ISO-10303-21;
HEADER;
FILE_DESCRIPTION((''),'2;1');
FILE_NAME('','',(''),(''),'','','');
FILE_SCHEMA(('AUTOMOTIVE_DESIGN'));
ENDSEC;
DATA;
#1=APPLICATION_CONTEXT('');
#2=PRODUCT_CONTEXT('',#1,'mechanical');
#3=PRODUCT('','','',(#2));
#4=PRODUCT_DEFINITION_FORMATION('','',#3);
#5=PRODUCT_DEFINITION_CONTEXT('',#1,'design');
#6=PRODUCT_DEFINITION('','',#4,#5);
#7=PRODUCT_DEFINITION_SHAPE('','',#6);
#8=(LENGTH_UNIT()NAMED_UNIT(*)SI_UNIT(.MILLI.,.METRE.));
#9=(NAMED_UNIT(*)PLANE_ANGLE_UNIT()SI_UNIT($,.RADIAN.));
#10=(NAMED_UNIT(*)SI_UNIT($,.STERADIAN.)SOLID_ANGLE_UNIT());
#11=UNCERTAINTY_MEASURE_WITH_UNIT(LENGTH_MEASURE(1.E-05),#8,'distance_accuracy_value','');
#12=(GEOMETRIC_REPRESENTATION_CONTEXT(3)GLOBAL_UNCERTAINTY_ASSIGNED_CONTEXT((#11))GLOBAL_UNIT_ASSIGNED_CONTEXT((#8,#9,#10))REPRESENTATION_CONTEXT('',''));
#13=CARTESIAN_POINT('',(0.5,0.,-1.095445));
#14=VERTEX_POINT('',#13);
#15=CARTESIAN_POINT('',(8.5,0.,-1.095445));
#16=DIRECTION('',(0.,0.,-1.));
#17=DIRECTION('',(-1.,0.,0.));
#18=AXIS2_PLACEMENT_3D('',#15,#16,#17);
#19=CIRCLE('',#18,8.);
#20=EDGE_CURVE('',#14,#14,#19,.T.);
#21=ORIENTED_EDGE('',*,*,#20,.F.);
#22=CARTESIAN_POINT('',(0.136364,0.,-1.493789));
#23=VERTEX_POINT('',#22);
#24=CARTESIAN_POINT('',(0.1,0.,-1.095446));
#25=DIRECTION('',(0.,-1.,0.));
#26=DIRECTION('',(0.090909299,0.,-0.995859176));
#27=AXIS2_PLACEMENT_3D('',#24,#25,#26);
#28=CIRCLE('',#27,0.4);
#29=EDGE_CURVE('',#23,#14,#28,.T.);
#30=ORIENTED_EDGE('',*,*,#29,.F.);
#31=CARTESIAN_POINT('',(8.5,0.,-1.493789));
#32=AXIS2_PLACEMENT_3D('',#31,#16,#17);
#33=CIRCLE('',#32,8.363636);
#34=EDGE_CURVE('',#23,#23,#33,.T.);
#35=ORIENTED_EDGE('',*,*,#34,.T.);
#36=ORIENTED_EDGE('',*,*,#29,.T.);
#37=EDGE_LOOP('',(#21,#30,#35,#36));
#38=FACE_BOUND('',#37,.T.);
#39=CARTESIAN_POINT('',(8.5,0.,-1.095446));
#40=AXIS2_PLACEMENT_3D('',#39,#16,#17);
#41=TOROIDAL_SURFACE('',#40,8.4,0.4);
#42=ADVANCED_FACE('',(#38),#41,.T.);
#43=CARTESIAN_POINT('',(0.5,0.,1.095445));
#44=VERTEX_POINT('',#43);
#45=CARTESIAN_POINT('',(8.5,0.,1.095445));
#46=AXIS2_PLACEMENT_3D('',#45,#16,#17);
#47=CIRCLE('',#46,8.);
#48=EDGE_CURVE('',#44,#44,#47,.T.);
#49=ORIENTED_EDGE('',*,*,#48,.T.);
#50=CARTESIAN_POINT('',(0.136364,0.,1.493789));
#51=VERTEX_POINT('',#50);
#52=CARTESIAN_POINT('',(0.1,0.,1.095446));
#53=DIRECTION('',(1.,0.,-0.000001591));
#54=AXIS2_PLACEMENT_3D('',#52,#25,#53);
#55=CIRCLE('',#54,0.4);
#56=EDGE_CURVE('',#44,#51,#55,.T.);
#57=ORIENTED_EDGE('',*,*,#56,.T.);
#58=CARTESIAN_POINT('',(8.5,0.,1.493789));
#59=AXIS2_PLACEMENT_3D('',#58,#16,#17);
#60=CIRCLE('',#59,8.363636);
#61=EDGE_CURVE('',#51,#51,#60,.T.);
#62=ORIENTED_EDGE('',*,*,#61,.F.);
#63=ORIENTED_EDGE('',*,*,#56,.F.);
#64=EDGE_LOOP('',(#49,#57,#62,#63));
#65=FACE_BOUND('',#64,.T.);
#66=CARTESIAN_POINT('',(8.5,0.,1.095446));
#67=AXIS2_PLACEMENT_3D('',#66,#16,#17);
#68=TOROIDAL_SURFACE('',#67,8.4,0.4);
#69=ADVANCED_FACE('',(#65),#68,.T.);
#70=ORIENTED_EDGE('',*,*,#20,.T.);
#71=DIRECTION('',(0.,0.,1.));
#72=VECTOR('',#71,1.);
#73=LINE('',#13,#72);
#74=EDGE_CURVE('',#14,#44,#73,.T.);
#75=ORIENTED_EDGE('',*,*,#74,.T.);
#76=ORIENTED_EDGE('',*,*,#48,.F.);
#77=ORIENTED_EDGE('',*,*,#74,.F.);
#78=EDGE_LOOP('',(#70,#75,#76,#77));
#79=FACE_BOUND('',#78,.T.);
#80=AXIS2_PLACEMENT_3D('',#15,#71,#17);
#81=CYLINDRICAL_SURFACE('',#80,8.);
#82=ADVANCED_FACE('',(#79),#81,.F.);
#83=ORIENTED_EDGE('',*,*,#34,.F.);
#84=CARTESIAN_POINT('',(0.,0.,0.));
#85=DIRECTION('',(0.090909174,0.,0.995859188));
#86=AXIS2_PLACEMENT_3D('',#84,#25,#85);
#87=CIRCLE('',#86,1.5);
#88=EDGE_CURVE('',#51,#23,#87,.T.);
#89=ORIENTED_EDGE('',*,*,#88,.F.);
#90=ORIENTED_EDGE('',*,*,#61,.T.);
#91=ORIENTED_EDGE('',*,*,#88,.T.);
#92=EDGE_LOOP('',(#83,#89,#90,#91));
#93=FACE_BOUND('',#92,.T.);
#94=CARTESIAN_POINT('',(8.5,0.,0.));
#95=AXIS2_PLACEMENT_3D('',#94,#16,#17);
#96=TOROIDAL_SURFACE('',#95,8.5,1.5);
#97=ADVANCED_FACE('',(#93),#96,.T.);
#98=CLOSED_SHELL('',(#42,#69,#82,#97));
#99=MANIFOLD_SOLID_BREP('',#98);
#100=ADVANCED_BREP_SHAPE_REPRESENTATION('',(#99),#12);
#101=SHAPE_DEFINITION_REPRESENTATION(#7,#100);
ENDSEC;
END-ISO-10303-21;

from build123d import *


with BuildPart() as f1:
    # F0 (on Front) → F1 (revolve)
    with BuildSketch(Plane.XZ):
        with BuildLine():
            ThreePointArc((0.5, 1.095445), (0.39542, 1.365125), (0.136364, 1.493789))
            ThreePointArc((0.136364, 1.493789), (-1.5, 0), (0.136364, -1.493789))
            ThreePointArc((0.136364, -1.493789), (0.39542, -1.365125), (0.5, -1.095445))
            Line((0.5, -1.095445), (0.5, 1.095445))
        make_face()
    revolve(axis=Axis((8.5, 0, -1.563579), (0, 0, -1)))


solid = f1.part
